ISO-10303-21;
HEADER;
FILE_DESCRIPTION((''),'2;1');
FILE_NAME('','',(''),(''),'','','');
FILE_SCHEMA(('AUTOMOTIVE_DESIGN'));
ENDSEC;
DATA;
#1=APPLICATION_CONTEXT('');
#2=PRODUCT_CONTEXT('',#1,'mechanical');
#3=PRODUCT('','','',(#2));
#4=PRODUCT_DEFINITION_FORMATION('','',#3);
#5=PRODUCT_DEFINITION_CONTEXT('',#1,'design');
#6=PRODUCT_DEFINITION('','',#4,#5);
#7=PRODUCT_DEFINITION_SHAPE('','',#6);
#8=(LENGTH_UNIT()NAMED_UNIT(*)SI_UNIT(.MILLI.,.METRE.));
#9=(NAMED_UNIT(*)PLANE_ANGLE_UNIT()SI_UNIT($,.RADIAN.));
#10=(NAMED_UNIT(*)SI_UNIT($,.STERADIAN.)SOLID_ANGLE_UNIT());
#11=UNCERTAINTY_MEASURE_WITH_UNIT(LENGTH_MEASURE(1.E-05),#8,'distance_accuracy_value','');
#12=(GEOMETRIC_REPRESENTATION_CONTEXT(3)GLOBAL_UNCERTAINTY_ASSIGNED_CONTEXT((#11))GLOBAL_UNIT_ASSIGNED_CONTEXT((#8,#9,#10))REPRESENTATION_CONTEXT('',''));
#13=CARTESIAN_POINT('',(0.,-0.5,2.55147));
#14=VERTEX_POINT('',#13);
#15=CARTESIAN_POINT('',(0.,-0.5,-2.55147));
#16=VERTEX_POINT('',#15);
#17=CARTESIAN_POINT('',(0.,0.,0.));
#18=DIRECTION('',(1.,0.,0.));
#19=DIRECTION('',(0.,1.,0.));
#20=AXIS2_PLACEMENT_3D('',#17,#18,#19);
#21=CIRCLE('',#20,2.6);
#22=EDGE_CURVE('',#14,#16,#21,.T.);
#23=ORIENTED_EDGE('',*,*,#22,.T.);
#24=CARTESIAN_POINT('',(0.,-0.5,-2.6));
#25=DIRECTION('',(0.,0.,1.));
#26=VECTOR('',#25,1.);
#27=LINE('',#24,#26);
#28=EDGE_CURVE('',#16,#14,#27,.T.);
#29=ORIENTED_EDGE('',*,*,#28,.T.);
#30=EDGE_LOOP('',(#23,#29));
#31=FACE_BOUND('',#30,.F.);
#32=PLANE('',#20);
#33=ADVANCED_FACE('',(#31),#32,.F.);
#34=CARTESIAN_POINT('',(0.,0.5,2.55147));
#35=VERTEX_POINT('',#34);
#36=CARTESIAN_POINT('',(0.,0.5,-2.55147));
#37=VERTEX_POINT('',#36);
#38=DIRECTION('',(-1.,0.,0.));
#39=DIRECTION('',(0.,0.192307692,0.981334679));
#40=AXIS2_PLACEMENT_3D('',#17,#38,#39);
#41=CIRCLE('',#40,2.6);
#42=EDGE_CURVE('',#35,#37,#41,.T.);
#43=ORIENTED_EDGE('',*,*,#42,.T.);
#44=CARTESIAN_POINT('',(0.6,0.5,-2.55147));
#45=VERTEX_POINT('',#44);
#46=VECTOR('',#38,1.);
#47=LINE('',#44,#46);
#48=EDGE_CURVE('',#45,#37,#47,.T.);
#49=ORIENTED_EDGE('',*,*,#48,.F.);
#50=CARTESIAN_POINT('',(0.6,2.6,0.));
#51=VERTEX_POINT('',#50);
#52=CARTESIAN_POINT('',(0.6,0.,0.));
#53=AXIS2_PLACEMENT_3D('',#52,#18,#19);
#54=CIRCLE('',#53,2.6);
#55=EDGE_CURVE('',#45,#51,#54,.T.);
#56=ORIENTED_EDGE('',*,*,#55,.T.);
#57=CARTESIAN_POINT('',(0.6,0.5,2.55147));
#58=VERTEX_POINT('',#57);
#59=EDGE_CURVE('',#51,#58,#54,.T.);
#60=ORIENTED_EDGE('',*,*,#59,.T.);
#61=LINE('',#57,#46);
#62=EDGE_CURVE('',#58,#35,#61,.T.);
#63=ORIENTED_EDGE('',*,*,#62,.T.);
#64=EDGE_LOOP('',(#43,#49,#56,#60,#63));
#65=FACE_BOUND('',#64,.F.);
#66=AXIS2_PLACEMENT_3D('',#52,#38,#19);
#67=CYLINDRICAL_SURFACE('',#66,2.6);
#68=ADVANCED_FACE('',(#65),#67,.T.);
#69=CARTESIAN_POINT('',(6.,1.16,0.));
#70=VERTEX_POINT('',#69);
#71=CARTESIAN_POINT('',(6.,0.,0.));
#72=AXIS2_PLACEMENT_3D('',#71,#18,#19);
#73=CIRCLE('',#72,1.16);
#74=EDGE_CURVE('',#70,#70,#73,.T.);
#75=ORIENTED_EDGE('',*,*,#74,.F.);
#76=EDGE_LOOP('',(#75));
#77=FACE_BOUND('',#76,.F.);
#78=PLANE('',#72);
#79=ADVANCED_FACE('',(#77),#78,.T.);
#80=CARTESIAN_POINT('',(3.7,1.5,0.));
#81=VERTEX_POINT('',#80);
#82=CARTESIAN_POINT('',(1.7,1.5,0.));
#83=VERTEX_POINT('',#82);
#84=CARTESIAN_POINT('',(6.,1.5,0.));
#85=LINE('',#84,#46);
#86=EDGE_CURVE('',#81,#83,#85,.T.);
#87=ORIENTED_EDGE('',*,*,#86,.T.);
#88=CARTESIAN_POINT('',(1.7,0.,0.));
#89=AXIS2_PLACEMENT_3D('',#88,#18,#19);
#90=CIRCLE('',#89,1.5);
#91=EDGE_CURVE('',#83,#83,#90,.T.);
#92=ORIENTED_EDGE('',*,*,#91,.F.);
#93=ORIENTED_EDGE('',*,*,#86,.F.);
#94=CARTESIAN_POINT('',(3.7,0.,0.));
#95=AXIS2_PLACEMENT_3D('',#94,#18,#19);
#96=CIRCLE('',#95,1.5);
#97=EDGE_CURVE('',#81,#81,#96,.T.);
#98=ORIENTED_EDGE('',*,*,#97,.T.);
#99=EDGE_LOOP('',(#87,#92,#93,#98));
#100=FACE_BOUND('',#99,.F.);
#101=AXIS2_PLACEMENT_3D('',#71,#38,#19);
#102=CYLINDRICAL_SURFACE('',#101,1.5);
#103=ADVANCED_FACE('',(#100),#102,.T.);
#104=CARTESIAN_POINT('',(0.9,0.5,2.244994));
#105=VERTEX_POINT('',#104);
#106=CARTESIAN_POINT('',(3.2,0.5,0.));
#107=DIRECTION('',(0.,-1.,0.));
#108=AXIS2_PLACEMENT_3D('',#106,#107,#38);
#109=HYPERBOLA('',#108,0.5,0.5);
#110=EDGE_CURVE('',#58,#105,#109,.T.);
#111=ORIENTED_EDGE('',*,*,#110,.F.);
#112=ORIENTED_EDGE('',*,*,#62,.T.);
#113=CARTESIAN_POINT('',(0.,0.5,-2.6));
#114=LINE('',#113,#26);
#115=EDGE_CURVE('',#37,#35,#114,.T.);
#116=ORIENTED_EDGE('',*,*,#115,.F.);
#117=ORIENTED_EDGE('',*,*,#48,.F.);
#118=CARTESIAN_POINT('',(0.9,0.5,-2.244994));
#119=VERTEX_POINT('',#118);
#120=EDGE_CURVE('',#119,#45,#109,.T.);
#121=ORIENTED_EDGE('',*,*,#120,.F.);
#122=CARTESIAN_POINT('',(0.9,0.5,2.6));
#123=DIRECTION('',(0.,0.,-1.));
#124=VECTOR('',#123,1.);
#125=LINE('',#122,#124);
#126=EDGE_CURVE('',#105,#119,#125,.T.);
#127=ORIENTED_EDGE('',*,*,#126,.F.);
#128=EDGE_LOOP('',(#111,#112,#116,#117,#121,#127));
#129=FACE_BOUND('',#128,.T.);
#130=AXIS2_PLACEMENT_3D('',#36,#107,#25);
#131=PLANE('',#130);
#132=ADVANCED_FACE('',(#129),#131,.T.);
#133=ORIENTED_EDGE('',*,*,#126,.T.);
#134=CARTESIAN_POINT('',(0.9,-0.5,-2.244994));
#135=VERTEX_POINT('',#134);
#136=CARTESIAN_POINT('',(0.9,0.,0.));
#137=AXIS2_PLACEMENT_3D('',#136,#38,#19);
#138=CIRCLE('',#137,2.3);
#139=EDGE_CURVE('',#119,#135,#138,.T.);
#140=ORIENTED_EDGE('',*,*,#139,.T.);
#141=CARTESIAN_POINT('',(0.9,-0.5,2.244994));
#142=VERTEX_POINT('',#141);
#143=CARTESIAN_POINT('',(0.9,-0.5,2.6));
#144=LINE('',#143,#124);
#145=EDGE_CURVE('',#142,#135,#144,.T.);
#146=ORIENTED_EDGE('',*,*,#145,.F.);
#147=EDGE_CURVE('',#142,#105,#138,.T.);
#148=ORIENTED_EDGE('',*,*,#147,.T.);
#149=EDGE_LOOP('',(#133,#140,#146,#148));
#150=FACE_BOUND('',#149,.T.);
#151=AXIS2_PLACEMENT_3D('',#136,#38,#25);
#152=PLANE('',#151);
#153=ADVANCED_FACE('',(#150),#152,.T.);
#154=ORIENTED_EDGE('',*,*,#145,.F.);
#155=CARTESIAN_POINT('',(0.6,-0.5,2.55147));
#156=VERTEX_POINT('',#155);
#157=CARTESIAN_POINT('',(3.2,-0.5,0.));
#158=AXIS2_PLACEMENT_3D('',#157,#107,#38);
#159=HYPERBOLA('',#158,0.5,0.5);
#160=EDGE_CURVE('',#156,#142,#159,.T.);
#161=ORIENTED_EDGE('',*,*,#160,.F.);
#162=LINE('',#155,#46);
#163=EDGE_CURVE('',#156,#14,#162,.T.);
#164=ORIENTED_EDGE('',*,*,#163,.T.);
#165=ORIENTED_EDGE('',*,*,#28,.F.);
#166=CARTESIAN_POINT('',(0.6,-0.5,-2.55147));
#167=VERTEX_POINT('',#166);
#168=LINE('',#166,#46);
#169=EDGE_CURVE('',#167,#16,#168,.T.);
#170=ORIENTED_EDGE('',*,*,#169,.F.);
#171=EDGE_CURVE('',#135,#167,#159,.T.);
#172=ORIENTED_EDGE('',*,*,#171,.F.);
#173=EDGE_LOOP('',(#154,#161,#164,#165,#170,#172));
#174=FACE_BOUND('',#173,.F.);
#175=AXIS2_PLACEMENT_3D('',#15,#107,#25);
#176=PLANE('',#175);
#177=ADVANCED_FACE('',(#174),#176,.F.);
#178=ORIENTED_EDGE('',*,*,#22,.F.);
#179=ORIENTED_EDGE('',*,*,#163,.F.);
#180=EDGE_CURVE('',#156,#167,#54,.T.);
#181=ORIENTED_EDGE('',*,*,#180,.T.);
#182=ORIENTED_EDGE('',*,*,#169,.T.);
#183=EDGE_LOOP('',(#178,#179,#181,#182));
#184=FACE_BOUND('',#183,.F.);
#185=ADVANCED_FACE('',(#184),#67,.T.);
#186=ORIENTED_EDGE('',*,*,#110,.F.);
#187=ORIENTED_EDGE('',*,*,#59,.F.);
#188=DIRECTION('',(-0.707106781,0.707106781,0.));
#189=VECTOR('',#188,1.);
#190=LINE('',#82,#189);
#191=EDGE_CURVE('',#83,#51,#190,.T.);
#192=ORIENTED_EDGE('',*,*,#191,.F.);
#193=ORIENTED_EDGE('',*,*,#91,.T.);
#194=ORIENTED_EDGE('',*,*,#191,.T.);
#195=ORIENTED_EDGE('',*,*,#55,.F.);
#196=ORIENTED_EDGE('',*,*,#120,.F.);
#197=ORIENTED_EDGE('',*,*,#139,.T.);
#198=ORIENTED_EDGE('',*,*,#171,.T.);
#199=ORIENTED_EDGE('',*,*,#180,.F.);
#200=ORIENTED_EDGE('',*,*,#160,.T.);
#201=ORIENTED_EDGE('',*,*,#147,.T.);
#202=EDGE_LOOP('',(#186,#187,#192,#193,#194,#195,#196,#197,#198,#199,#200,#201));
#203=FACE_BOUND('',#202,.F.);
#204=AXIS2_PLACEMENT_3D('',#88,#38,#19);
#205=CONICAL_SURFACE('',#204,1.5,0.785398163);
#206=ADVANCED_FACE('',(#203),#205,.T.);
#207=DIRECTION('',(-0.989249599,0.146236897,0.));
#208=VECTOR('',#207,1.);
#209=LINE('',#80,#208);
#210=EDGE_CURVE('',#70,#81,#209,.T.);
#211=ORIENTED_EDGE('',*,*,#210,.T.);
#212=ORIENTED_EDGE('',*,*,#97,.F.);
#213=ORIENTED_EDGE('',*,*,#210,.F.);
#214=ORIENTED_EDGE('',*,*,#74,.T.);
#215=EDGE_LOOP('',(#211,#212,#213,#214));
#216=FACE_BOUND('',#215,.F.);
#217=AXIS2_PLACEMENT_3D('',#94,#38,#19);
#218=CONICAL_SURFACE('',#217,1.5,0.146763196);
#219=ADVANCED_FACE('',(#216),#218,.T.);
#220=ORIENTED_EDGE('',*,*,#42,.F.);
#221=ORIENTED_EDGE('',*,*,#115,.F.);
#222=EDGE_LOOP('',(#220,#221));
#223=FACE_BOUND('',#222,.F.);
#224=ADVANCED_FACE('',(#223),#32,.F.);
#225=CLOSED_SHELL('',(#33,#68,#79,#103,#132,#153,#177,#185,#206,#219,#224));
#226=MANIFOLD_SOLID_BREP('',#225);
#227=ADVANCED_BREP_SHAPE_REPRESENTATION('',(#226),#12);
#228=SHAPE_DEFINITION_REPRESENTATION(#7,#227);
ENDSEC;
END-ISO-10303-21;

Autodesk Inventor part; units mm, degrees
ref_plane "YZ Plane" through (0, 0, 0) normal (1, 0, 0) x (0, 1, 0)
ref_plane "XZ Plane" through (0, 0, 0) normal (0, 1, 0) x (-1, 0, 0)
sketch "Sketch1" plane through (0, 0, 0) normal (0, 0, 1) x (1, 0, 0)
  line L0 (-1.2, 0) -> (7.2, 0) projected
  line L1 (0, 0) -> (6, 0)
  line L2 (6, 0) -> (6, 1.5)
  line L3 (6, 1.5) -> (1.7, 1.5)
  line L4 (1.7, 1.5) -> (1.7, 1.5)
  line L5 (1.7, 1.5) -> (0.6, 2.6)
  line L6 (0.6, 2.6) -> (0, 2.6)
  line L7 (0, 2.6) -> (0, 0)
  line L8 (0, -0.52) -> (0, 3.12) projected
  dimension "d0" = 6
  dimension "d1" = 1.7
  dimension "d2" = 3
  dimension "d3" = 3
  dimension "d4" = 5.2
  dimension "d5" = 45
revolve "Body" add sketch "Sketch1" angle 360 about axis through (0, 0, 0) along (1, 0, 0)
sketch "Sketch2" plane through (0, 0, 0) normal (-1, 0, 0) x (0, 0, 1)
  circle A0 centre (0, 0) radius 2.6 projected
  line L0 (-3.64, 0) -> (3.64, 0) projected
  line L1 (-2.6, 0) -> (-2.6, 0.5)
  line L2 (-2.6, 0.5) -> (2.6, 0.5)
  line L3 (2.6, 0) -> (2.6, 0.5)
  line L4 (-2.6, 0) -> (-2.6, -0.5)
  line L5 (-2.6, -0.5) -> (2.6, -0.5)
  line L6 (2.6, 0) -> (2.6, -0.5)
  dimension "d8" = 1
extrude "Slot" cut sketch "Sketch2" against normal blind 0.9 contours L0 A0 L2 | L6 L5 A0 | A0 L5 L0 | A0 L2 L3 | L1 L2 A0 | A0 L5 L4
thread "Thread" size "M3x0.5" class "6g" standard "ISO Metric profile" length 4.3
chamfer "Chamfer1" distance 0.34 distance2 2.3 1 edges at (6, -1.5, 0) measured on face at (6, -0.8773, -0.3972)
ref_plane "Work Plane1" through (2.2553, 0, 0) normal (0, 0, -1) x (1, 0, 0)
equation "\"d8\" = SBR"
equation "\"d9\" = STI"
equation "\"d0\" = NLG"
equation "\"d1\" = KOH"
equation "\"d2\" = NND"
equation "\"d3\" = SED2"
equation "\"d4\" = KOD"
equation "\"d5\" = 0.5 * SEWI"
equation "\"d6\" = GEL"
equation "\"d14\" = -0.5 * GD2 + 0.5 * NND"
equation "\"d15\" = SPTZ"
equation "\"NND\" = 3"
equation "\"NLG\" = 6"
equation "\"GEL\" = 4.3"
equation "\"KOH\" = 1.7"
equation "\"KOD\" = 5.2"
equation "\"SBR\" = 1"
equation "\"STI\" = 0.9"
equation "\"GD2\" = 2.32"
equation "\"SED2\" = 3"
equation "\"SEWI\" = 90deg"
equation "\"SPTZ\" = 2.3"
equation "\"GUL\" = 0.61345 * PTC"
equation "\"THREADDIA\" = 3"
equation "\"TOA\" = 30deg"
equation "\"PTC\" = 0.5"
equation "\"GAL\" = 0.61345 * PTC"
equation "\"GD1\" = THREADDIA - 1.2269 * PTC"
properties part number "ANSI/ASME B18.6.5M - M3x0.5 x 6, SFCHTSTTM" material "Steel, Mild"
